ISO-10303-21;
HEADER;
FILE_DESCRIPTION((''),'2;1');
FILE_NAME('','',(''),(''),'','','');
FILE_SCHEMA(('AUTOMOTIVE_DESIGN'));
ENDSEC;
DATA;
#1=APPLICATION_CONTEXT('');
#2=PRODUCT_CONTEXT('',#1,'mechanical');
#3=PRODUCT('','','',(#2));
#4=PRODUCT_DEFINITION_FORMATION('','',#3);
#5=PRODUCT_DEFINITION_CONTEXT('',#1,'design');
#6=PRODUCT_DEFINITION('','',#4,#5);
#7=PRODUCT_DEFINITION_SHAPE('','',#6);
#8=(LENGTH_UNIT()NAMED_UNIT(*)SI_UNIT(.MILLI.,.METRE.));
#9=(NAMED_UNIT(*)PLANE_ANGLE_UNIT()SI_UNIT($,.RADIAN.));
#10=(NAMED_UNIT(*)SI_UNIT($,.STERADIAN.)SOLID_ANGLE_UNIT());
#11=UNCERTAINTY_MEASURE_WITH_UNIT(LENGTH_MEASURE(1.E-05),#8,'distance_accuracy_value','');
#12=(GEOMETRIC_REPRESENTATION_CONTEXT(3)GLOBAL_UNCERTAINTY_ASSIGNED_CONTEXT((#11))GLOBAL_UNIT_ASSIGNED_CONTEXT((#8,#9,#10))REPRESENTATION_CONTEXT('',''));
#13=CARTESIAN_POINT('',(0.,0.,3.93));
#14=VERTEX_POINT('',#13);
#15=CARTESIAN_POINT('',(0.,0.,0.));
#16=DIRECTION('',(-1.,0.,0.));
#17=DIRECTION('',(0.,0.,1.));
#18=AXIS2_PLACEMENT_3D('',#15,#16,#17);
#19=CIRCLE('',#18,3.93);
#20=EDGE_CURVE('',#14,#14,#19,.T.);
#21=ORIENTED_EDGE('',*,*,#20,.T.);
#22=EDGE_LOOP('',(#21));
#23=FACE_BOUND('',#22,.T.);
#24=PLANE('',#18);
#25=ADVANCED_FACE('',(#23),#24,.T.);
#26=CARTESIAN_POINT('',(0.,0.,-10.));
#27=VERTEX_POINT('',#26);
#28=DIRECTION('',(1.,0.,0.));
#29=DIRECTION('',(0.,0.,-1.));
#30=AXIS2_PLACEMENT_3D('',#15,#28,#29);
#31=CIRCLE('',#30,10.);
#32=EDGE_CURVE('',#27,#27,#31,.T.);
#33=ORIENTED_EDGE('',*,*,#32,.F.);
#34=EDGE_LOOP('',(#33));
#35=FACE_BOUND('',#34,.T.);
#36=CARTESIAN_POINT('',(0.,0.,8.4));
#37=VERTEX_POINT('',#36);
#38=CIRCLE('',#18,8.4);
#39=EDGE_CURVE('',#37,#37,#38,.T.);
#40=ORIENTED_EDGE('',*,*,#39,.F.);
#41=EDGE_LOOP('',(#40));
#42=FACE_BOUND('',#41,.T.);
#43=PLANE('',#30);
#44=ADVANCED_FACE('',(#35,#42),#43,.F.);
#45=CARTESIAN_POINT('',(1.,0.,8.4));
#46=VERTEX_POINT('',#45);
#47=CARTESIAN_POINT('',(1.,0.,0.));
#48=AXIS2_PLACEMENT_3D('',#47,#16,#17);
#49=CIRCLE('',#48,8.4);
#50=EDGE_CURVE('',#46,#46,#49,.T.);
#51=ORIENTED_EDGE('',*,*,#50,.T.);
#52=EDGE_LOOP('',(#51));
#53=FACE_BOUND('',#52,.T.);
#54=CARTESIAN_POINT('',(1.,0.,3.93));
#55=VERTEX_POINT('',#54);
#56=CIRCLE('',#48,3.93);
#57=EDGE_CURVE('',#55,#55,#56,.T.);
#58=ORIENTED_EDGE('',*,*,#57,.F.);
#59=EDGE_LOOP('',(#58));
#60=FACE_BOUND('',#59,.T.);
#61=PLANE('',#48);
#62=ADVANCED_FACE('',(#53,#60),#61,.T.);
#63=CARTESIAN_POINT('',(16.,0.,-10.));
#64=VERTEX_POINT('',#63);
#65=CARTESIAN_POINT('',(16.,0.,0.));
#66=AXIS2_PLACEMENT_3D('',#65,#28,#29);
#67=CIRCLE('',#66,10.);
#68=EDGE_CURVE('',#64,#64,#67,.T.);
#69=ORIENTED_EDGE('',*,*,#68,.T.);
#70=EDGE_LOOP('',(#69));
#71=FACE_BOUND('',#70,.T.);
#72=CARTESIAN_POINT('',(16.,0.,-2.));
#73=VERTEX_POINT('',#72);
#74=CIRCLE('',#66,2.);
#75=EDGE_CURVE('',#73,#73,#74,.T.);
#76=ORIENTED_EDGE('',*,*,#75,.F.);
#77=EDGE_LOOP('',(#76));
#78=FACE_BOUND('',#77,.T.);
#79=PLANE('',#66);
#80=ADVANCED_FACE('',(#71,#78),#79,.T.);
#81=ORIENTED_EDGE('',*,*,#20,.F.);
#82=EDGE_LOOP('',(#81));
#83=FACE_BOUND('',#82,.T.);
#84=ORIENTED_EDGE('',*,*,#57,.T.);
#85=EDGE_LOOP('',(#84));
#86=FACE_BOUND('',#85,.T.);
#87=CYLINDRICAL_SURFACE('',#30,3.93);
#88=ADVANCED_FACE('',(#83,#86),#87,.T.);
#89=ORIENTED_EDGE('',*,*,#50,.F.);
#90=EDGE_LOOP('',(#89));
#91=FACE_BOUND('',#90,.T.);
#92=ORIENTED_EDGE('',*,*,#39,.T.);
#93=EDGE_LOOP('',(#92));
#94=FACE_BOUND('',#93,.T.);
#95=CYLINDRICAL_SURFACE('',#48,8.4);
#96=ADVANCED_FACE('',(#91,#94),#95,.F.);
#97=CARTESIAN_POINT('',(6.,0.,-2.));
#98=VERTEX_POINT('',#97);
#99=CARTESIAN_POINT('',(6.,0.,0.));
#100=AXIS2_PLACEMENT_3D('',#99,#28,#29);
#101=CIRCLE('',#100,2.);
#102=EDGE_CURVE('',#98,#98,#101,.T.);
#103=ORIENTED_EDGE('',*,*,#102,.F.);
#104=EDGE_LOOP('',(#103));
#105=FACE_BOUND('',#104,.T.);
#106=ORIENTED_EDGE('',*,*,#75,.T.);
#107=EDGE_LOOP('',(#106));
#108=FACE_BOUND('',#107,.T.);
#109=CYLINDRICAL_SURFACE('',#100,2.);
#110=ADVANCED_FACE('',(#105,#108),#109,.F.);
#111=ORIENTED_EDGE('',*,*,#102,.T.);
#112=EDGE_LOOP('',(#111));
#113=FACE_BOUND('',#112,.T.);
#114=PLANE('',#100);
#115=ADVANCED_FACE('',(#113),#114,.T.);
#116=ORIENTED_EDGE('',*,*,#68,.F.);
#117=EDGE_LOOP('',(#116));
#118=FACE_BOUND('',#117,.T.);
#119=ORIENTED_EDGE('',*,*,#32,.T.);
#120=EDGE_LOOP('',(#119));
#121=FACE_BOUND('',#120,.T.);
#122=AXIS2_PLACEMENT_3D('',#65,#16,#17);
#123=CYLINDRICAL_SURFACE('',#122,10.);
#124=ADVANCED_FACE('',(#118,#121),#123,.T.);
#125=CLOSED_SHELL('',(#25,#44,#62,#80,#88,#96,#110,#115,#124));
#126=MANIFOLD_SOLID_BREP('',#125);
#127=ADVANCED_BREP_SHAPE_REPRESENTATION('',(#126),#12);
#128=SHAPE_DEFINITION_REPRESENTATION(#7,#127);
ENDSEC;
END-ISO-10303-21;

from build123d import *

# Parameters (mm, degrees)
SKETCH_1_R          = 10
EXTRUDE_1_DEPTH     = 16
SKETCH_2_R          = 2
CUT_EXTRUDE_1_DEPTH = 10
SKETCH_4_R          = 8.4
CUT_EXTRUDE_2_DEPTH = 1
SKETCH_5_R          = 3.93
EXTRUDE_2_DEPTH     = 1


with BuildPart() as part:
    # 草图1 → 凸台-拉伸1 (new body)
    with BuildSketch(Plane(origin=(0, 0, 0), x_dir=(0, 0, -1), z_dir=(1, 0, 0))):
        Circle(SKETCH_1_R)
    extrude(amount=EXTRUDE_1_DEPTH)

    # 草图2 → 切除-拉伸1 (cut)
    with BuildSketch(Plane(origin=(16, 0, 0), x_dir=(0, 0, -1), z_dir=(1, 0, 0))):
        Circle(SKETCH_2_R)
    extrude(amount=-CUT_EXTRUDE_1_DEPTH, mode=Mode.SUBTRACT)

    # 草图4 → 切除-拉伸2 (cut)
    with BuildSketch(Plane.ZY):
        Circle(SKETCH_4_R)
    extrude(amount=-CUT_EXTRUDE_2_DEPTH, mode=Mode.SUBTRACT)

    # 草图5 → 凸台-拉伸2 (add)
    with BuildSketch(Plane.ZY.offset(-1)):
        Circle(SKETCH_5_R)
    extrude(amount=EXTRUDE_2_DEPTH)


solid = part.part
